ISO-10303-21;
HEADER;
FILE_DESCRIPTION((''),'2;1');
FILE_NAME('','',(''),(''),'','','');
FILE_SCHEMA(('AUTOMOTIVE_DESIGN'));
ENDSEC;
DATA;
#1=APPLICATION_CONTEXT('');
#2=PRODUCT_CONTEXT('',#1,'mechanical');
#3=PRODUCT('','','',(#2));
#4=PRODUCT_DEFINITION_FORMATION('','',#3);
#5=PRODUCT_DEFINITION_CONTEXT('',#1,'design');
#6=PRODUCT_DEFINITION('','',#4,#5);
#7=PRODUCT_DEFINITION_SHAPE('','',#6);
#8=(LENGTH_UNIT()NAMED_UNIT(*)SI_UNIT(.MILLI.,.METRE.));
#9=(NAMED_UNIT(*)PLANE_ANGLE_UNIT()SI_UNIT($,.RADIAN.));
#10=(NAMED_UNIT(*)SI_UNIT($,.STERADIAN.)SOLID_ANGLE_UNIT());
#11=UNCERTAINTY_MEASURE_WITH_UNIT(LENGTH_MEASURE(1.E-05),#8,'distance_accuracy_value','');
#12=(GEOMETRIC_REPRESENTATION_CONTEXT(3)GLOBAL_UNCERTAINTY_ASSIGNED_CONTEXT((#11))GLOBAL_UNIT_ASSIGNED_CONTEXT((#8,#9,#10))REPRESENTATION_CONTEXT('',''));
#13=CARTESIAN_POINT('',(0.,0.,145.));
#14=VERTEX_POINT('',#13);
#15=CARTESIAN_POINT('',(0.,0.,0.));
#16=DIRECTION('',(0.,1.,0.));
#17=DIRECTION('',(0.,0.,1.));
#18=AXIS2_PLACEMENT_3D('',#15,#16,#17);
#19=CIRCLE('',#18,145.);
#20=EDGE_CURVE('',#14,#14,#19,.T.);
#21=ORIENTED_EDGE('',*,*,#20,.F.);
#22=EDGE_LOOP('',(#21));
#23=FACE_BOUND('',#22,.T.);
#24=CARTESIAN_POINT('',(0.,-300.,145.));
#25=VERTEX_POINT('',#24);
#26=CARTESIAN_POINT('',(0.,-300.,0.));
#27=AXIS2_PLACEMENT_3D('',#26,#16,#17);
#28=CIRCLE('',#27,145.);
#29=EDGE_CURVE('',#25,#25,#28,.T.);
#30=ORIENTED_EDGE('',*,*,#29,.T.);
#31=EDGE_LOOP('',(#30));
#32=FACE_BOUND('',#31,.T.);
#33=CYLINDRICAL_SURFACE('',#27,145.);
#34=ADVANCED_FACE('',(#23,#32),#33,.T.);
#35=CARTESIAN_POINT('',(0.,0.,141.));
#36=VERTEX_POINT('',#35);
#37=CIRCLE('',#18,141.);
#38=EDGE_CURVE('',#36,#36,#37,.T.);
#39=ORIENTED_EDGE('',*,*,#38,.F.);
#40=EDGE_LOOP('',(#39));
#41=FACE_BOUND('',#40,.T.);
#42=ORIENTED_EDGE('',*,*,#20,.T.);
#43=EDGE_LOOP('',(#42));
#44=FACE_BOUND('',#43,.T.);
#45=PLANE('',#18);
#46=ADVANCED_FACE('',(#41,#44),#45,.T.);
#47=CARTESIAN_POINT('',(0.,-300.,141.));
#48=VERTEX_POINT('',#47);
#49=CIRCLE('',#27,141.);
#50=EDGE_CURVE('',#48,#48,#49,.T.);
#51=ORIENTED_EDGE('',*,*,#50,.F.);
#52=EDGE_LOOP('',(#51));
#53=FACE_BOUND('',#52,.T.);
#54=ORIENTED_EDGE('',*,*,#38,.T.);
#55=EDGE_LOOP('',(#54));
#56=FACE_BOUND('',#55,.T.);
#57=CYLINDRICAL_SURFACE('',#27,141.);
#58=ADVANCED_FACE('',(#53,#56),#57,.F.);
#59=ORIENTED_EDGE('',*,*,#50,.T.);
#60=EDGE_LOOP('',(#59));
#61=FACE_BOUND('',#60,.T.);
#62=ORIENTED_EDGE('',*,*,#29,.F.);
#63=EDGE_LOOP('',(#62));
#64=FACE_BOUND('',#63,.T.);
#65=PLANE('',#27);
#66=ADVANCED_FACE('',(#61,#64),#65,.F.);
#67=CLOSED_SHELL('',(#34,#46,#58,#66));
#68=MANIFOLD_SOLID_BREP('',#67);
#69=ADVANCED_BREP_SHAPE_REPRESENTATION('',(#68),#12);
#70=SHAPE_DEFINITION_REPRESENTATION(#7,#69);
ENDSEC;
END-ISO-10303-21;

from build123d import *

# Parameters (mm, degrees)
SKETCH1_R           = 145
SKETCH1_R_2         = 141
BOSS_EXTRUDE1_DEPTH = 300


with BuildPart() as part:
    # Sketch1 → Boss-Extrude1 (new body)
    with BuildSketch(Plane(origin=(0, 0, 0), x_dir=(1, 0, 0), z_dir=(0, 1, 0))):
        Circle(SKETCH1_R)
        Circle(SKETCH1_R_2, mode=Mode.SUBTRACT)
    extrude(amount=-BOSS_EXTRUDE1_DEPTH)


solid = part.part
